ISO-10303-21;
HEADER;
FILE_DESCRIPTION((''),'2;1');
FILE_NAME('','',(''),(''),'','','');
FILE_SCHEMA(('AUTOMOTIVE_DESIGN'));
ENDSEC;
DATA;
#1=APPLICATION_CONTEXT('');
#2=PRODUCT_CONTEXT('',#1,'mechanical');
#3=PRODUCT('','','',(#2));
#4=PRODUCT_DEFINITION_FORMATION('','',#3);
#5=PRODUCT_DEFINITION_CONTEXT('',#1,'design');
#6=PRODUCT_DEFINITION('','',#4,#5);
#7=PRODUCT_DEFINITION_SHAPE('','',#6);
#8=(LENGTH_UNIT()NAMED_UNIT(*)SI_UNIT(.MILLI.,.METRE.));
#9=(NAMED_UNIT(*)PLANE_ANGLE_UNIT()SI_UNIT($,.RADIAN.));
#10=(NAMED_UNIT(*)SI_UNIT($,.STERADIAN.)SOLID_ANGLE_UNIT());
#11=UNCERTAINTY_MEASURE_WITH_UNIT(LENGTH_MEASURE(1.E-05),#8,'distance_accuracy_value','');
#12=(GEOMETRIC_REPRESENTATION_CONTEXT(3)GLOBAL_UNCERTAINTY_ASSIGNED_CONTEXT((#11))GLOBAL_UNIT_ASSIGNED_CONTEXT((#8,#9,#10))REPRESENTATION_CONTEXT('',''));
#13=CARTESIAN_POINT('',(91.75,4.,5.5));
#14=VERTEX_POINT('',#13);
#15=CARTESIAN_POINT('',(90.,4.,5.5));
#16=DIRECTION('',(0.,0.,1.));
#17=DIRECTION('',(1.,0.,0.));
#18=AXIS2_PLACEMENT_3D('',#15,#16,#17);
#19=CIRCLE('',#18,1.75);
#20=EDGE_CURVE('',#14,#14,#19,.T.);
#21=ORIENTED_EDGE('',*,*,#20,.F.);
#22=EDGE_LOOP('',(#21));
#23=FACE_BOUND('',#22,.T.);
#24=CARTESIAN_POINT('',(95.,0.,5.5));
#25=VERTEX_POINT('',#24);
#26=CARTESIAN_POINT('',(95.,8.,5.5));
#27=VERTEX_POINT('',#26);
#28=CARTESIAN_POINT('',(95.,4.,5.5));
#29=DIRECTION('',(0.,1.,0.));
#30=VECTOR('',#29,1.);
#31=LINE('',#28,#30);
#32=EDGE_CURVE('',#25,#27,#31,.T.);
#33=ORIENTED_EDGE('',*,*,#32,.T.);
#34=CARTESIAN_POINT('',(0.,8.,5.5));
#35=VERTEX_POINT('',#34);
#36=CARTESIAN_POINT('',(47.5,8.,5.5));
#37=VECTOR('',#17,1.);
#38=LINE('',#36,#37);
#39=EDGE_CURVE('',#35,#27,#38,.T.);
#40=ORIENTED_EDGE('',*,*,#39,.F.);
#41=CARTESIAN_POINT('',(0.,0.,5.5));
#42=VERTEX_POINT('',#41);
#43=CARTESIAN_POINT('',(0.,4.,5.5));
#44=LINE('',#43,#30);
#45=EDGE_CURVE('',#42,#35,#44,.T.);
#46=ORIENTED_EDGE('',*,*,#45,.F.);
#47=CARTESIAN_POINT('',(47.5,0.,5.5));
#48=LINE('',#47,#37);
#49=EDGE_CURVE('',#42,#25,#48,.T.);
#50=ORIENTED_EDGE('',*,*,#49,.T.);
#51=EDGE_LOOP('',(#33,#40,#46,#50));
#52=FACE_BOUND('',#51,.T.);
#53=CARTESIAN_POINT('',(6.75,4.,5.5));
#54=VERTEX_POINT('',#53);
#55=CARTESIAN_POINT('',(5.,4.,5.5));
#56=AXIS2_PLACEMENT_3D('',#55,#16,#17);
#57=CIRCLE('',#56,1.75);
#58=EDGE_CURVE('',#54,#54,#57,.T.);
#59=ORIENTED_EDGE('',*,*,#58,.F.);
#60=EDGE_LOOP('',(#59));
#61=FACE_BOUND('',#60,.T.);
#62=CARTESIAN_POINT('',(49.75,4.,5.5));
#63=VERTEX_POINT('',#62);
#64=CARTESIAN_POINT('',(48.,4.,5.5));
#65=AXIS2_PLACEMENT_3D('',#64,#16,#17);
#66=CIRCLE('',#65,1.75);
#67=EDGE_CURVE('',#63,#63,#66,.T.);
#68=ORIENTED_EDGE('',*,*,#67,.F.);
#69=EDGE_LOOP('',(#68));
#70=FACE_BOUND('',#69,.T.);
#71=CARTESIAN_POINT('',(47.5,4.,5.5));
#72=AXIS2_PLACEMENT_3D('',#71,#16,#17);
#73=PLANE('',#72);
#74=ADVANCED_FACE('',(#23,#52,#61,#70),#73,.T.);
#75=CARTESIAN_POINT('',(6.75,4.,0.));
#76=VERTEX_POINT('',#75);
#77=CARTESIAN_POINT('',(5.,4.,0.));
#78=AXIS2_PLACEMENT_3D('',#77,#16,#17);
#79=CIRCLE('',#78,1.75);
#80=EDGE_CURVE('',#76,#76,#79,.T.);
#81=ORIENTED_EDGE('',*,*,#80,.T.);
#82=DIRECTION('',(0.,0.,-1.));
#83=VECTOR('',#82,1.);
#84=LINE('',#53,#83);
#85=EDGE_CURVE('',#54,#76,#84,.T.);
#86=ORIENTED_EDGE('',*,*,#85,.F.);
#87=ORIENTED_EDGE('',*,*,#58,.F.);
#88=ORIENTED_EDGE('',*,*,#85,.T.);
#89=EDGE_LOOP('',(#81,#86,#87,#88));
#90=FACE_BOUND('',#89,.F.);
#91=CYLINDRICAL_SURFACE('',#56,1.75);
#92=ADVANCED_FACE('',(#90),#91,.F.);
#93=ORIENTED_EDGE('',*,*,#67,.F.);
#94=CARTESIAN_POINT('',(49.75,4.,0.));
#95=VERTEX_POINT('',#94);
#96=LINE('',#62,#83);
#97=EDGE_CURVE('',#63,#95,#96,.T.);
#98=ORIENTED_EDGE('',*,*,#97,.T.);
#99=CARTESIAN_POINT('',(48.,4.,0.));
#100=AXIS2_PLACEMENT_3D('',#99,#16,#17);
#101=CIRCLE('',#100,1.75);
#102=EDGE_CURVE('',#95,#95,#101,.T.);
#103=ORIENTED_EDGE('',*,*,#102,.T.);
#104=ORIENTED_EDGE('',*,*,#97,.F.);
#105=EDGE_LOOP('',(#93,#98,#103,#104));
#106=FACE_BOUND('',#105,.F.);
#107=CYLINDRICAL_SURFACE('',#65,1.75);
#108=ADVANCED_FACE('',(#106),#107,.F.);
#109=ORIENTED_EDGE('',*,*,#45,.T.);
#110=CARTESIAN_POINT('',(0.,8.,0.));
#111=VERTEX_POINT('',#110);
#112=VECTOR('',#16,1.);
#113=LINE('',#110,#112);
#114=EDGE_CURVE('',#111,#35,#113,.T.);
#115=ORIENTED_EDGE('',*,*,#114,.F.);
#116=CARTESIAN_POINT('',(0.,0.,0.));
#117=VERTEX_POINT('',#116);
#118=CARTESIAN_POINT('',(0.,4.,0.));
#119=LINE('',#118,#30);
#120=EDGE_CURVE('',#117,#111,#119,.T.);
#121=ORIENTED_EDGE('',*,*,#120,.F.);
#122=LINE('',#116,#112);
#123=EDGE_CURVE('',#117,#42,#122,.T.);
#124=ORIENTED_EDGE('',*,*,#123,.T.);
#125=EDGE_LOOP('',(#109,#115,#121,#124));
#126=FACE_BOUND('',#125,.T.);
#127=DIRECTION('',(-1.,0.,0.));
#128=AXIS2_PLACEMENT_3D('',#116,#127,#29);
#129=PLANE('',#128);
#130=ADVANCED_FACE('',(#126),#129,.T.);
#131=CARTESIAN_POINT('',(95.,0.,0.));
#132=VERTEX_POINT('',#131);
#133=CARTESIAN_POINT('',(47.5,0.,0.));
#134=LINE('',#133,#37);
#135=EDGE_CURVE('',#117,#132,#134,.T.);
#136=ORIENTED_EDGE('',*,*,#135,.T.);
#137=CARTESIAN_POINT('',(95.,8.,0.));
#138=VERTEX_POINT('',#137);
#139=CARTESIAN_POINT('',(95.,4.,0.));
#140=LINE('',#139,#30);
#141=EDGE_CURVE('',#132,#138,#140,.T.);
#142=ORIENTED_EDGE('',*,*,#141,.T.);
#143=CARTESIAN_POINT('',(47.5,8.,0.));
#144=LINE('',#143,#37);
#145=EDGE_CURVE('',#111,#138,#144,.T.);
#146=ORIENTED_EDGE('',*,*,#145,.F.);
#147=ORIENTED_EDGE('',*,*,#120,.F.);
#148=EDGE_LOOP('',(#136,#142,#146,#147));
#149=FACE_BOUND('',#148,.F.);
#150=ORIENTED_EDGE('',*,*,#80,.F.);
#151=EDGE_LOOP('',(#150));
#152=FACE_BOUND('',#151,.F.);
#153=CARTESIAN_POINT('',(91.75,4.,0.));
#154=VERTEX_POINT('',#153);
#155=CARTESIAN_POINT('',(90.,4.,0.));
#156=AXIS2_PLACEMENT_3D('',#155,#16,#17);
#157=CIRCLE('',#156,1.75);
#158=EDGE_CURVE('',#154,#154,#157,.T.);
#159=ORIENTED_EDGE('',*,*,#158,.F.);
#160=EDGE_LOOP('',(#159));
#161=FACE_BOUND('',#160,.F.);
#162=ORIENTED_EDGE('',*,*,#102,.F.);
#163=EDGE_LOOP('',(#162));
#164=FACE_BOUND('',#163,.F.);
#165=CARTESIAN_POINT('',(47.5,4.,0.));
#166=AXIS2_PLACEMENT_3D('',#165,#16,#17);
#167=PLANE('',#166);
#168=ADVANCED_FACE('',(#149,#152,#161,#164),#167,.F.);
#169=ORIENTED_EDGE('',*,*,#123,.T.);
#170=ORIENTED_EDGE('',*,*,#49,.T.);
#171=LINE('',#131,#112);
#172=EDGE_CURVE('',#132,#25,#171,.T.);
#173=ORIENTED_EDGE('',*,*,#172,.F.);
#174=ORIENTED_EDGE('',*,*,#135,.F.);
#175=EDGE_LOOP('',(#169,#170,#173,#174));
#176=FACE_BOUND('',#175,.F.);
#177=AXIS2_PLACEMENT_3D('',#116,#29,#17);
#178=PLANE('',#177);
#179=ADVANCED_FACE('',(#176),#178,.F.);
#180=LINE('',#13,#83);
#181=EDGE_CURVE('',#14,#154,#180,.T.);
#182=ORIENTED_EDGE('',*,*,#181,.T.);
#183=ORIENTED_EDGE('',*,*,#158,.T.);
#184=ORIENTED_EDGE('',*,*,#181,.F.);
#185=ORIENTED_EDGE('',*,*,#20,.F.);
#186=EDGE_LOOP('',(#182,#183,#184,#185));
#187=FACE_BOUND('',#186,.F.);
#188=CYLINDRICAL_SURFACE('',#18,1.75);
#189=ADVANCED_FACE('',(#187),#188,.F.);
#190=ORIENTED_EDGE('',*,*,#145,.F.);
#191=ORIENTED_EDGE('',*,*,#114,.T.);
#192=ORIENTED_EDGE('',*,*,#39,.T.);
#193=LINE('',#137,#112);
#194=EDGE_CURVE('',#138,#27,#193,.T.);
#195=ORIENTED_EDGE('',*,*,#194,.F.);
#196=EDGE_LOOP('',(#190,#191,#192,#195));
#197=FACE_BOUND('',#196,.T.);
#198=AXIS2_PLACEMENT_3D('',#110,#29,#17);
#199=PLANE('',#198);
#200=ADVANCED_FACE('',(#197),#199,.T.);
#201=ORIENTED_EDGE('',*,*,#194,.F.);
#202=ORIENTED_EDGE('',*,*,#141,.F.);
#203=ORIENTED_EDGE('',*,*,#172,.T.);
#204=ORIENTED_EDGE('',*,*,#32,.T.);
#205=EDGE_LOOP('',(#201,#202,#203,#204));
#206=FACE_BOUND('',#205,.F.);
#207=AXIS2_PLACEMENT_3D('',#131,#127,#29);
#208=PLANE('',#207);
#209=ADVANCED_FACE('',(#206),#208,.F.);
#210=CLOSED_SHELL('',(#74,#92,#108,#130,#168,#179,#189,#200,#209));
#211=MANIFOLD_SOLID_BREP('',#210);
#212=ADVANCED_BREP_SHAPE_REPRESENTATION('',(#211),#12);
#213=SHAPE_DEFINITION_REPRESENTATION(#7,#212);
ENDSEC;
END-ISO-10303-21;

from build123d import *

# Parameters (mm, degrees)
SKETCH001_W  = 95
SKETCH001_H  = 8
PAD_DEPTH    = 5.5
SKETCH_R     = 1.75
POCKET_DEPTH = 8


with BuildPart() as part:
    # Sketch001 → Pad (new body)
    with BuildSketch(Plane.XY):
        with Locations((47.5, 4)):
            Rectangle(SKETCH001_W, SKETCH001_H)
    extrude(amount=PAD_DEPTH)

    # Sketch (on Face6 of Pad) → Pocket (cut)
    with BuildSketch(Plane.XY.offset(5.5)):
        with Locations((5, 4)):
            Circle(SKETCH_R)
        with Locations((48, 4)):
            Circle(SKETCH_R)
        with Locations((90, 4)):
            Circle(SKETCH_R)
    extrude(amount=-POCKET_DEPTH, mode=Mode.SUBTRACT)


solid = part.part
